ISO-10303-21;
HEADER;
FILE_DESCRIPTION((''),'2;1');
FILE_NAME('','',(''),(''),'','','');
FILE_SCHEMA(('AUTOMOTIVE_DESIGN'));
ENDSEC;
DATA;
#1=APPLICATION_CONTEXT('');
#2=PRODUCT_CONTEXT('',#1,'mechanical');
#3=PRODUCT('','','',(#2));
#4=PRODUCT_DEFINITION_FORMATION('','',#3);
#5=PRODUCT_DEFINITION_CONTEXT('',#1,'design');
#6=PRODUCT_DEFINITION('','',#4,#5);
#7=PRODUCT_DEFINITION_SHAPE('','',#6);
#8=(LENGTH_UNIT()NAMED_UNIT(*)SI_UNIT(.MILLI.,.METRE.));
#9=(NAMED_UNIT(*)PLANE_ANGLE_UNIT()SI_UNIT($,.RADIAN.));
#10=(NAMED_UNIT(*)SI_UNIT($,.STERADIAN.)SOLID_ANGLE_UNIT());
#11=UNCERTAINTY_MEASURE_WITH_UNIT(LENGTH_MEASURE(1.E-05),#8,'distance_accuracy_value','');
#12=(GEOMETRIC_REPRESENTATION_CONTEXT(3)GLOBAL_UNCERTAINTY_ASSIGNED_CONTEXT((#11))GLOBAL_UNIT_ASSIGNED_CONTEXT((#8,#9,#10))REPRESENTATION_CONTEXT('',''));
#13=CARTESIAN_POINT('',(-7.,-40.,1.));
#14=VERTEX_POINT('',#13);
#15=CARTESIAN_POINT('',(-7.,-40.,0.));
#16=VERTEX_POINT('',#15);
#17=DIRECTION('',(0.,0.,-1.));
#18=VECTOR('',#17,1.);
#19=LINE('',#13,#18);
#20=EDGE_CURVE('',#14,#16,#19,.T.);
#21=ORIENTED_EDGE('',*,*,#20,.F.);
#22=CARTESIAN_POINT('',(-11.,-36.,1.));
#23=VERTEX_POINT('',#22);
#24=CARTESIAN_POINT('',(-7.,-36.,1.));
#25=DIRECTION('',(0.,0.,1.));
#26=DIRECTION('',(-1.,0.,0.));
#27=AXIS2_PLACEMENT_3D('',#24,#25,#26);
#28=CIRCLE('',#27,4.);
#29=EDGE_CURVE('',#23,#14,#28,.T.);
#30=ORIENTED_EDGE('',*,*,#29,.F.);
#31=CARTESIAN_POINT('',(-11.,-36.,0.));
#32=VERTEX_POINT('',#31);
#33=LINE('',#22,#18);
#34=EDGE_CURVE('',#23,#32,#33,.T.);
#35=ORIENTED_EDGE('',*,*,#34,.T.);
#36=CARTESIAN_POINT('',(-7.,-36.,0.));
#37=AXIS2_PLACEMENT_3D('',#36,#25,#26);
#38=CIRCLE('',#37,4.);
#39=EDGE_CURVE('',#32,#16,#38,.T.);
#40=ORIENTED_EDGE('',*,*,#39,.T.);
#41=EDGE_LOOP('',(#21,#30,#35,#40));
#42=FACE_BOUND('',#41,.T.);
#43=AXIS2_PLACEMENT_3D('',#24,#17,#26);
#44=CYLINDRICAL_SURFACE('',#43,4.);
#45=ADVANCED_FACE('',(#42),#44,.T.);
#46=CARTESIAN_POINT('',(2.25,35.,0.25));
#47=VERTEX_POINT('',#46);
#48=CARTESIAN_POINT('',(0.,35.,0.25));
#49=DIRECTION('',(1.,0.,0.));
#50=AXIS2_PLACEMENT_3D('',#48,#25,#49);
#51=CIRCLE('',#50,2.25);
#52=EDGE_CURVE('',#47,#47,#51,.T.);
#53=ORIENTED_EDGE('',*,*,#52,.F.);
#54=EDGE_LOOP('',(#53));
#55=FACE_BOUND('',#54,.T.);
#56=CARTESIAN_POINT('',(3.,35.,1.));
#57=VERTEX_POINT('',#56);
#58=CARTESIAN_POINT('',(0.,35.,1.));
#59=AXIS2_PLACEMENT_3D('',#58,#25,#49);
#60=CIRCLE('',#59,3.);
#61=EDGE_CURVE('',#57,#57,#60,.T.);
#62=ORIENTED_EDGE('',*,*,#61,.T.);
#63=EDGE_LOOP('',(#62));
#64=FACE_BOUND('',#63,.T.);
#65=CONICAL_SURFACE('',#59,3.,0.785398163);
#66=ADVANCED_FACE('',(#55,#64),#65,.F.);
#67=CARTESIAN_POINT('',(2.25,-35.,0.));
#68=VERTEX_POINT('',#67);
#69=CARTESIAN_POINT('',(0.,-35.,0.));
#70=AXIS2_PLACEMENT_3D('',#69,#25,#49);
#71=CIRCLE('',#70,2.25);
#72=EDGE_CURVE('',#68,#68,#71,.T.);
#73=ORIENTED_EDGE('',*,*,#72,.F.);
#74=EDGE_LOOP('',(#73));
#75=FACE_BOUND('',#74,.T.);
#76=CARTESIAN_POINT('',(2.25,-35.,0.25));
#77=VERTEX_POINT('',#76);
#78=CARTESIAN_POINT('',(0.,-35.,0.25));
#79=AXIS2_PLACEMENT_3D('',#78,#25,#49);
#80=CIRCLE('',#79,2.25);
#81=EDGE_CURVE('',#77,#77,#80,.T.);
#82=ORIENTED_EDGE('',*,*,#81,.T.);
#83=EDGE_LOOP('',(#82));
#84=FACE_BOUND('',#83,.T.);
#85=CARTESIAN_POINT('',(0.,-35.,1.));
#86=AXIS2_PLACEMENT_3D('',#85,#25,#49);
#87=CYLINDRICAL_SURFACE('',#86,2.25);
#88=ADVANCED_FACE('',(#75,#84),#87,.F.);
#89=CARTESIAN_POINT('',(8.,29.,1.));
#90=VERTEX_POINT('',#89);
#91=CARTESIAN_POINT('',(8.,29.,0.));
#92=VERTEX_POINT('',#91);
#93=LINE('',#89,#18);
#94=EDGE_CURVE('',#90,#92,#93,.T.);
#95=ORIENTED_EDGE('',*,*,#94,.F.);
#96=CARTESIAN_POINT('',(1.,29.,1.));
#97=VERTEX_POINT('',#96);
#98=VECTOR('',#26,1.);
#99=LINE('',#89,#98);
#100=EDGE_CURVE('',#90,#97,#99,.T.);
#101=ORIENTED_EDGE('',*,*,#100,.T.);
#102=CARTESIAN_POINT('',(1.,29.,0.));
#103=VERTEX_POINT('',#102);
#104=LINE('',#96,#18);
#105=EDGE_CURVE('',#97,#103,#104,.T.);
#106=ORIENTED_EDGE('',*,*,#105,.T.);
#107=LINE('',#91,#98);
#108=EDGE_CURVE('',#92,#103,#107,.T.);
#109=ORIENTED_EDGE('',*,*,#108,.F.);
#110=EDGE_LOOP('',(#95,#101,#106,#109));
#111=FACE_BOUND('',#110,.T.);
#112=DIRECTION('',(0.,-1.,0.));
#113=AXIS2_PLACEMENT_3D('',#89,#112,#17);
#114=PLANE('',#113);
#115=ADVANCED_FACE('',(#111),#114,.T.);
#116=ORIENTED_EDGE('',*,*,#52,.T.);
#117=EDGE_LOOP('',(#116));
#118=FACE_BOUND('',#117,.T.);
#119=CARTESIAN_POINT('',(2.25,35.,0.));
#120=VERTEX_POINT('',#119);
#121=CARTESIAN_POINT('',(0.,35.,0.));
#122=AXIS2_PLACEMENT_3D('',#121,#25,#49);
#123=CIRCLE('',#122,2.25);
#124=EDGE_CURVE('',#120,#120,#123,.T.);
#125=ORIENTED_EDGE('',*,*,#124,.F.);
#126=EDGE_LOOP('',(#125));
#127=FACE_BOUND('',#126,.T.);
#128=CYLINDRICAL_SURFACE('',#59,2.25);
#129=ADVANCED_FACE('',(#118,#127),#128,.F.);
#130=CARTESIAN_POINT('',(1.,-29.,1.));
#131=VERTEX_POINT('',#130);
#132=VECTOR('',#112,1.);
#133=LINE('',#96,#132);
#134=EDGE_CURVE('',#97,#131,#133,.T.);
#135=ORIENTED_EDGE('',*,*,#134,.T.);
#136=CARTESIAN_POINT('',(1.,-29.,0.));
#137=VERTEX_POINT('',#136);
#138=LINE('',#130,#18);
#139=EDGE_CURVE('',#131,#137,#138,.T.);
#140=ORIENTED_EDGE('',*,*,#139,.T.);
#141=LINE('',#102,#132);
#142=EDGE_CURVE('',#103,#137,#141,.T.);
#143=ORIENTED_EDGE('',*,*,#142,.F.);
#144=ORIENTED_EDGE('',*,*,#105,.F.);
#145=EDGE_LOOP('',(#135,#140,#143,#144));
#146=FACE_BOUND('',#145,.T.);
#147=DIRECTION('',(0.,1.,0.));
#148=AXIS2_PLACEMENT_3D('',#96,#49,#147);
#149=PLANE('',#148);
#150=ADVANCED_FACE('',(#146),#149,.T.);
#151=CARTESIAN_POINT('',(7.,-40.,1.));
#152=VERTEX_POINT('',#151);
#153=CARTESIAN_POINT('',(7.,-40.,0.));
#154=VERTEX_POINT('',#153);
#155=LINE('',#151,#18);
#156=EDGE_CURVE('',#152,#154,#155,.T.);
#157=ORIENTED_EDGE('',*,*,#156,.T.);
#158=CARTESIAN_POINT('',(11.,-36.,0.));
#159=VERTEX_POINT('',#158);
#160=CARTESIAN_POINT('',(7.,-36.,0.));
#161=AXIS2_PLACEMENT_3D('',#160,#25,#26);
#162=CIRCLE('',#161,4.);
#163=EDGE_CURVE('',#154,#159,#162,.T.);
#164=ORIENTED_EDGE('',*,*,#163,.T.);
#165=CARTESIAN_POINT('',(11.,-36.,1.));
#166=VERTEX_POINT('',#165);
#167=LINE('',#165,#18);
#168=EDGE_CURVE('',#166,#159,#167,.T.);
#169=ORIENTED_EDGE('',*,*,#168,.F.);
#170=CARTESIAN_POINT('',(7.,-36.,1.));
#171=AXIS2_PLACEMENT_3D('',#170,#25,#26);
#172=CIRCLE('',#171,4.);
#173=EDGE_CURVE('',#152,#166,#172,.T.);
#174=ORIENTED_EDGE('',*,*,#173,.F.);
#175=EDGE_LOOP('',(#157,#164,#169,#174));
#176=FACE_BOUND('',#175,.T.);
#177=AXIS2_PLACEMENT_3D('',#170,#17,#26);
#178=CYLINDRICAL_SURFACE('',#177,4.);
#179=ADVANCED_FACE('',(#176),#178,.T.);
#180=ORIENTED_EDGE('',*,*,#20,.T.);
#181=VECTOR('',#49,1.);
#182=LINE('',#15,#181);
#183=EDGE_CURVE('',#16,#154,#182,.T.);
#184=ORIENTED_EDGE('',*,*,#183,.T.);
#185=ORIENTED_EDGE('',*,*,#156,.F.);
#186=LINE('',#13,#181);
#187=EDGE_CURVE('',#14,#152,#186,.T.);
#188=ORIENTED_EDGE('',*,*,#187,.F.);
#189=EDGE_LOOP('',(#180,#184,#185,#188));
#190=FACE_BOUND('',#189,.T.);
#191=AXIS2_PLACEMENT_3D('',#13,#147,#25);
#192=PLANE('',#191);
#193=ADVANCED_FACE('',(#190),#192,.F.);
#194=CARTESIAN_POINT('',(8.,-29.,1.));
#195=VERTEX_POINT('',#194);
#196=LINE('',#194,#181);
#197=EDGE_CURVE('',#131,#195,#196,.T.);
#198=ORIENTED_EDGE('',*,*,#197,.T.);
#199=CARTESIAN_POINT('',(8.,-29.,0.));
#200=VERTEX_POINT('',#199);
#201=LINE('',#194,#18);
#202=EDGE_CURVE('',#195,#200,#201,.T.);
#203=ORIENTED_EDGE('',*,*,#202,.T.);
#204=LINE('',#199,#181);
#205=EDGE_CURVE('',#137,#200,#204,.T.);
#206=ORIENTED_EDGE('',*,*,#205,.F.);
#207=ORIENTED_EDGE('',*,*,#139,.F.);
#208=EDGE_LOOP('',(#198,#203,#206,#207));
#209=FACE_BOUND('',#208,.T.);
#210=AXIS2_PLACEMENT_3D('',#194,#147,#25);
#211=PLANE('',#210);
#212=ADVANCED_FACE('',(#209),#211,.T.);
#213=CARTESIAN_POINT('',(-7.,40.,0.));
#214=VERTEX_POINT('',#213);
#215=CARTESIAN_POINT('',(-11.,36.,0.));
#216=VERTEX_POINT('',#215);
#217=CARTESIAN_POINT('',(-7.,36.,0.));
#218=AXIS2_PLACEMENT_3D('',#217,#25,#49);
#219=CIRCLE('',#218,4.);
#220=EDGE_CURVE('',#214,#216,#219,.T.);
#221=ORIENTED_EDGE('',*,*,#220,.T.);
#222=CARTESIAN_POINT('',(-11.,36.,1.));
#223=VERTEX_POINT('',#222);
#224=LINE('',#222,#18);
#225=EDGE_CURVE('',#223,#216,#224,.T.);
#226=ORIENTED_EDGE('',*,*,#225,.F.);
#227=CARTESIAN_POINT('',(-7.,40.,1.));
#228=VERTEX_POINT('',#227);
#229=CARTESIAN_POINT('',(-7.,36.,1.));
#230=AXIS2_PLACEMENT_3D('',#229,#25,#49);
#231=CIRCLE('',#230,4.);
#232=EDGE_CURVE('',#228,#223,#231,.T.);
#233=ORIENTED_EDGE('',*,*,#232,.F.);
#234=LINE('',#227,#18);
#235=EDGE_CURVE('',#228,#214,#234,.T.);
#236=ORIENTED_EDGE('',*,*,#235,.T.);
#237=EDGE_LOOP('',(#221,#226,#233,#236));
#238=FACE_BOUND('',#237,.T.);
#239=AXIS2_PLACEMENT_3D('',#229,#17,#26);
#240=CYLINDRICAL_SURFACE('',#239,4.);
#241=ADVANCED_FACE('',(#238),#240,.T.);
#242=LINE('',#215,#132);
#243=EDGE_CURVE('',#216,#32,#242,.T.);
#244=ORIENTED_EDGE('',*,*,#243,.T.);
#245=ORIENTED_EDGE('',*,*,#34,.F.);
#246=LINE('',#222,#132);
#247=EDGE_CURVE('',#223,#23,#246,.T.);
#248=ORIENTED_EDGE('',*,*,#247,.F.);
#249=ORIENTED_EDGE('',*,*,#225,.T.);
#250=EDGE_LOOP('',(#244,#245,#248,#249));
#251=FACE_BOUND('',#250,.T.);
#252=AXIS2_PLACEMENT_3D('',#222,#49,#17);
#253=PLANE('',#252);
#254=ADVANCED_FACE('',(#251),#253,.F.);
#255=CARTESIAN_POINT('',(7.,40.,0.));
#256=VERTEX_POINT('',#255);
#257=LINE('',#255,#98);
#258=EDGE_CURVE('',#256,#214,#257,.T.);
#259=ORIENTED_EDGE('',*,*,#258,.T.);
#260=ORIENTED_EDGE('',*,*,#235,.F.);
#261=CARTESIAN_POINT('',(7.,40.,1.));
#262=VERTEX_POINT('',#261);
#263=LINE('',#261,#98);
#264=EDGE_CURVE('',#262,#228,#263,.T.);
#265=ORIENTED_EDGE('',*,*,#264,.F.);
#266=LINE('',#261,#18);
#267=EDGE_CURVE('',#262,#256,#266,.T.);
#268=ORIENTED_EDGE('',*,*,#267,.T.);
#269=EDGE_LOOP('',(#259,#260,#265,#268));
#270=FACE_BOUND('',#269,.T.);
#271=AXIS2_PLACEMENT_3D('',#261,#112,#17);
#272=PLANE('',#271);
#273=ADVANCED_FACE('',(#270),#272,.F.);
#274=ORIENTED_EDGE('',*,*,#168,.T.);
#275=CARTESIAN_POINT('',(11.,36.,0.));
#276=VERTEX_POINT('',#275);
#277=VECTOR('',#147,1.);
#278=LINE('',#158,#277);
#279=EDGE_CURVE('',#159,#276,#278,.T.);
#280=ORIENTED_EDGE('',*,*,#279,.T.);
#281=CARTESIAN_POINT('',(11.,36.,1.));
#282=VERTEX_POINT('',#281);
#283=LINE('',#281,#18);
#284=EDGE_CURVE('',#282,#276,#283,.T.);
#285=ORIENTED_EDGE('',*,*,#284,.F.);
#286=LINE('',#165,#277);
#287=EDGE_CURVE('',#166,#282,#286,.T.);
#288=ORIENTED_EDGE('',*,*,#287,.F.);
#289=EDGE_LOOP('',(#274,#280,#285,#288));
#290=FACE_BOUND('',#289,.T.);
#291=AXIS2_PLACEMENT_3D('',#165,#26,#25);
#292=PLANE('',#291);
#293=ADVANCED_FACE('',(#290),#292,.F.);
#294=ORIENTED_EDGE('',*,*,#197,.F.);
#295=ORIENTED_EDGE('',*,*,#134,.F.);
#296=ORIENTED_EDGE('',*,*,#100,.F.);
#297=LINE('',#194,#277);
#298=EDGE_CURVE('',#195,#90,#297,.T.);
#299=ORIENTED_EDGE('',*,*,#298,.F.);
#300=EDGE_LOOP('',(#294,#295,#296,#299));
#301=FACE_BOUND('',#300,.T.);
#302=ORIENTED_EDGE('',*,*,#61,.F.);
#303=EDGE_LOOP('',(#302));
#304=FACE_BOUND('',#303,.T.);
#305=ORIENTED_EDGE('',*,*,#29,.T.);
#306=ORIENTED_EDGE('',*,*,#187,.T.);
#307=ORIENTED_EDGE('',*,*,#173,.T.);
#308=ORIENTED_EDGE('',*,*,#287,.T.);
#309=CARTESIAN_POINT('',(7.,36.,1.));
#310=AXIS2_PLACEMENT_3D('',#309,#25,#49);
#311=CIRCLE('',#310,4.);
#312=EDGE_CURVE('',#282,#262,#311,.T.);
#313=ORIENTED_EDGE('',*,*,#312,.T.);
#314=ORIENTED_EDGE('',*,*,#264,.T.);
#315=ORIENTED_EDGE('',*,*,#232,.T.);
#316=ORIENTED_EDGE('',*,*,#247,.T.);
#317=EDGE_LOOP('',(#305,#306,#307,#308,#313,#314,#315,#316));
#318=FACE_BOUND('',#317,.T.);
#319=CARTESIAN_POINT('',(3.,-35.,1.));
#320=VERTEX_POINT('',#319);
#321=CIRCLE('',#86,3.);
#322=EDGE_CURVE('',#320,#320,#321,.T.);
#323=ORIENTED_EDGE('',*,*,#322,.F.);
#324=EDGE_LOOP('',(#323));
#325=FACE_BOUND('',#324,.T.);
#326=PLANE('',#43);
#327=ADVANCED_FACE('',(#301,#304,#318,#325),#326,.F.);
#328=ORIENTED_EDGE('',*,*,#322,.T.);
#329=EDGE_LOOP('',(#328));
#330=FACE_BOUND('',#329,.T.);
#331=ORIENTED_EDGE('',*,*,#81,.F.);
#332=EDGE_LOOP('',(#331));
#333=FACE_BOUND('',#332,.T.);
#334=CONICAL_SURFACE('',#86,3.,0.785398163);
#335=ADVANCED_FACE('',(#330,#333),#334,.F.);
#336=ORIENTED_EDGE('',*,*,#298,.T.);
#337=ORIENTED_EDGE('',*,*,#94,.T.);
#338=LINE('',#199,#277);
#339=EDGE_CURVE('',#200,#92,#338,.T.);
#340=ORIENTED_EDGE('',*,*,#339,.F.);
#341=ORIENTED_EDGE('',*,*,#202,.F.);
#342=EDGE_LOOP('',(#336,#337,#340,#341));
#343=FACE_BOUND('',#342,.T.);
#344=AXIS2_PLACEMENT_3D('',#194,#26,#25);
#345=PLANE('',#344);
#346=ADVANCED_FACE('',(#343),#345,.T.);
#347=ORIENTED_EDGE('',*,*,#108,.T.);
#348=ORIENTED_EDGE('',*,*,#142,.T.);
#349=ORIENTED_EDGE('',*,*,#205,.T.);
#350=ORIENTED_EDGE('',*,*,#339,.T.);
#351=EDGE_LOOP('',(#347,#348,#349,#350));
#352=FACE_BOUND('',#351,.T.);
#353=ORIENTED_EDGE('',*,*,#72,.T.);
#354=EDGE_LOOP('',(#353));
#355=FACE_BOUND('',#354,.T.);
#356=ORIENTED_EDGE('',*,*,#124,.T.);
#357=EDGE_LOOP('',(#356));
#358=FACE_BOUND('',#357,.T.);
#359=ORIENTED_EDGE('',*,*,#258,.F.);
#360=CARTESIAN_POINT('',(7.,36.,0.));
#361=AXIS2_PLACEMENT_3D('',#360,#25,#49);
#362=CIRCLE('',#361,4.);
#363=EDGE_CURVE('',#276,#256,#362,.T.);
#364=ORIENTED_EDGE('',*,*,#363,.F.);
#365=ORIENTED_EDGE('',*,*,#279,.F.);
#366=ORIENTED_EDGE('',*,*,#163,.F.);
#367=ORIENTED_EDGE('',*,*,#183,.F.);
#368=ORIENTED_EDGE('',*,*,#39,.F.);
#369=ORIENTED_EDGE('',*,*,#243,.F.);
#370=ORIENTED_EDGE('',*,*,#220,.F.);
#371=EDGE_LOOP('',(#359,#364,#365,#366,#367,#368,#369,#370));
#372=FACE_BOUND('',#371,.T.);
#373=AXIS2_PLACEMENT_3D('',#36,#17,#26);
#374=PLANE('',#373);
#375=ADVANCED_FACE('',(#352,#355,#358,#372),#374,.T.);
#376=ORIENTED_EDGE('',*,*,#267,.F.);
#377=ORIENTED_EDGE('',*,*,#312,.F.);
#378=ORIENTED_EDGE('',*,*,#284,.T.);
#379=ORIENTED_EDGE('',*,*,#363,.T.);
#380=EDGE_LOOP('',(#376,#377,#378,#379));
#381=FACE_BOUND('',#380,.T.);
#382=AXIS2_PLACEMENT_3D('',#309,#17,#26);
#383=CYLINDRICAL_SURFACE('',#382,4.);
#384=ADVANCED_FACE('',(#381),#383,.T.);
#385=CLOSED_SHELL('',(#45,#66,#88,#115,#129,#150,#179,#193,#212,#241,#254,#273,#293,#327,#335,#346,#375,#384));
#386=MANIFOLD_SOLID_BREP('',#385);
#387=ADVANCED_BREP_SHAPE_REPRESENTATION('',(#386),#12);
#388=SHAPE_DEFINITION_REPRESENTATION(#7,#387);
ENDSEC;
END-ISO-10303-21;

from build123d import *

# Parameters (mm, degrees)
CROQUIS1_R                                  = 2
CROQUIS1_W                                  = 7
CROQUIS1_H                                  = 58
SALIENTE_EXTRUIR1_DEPTH                     = 1
AVELLANADO_PARA_TORNILLO_CON_CABEZA_2_COUNT = 2
AVELLANADO_PARA_TORNILLO_CON_CABEZA_2_PITCH = 70


with BuildPart() as part:
    # Croquis1 → Saliente-Extruir1 (new body)
    with BuildSketch(Plane.XY):
        with BuildLine():
            Line((-11, 36), (-11, -36))
            ThreePointArc((-11, -36), (-9.828427125, -38.828427125), (-7, -40))
            Line((-7, -40), (7, -40))
            ThreePointArc((7, -40), (9.828427125, -38.828427125), (11, -36))
            Line((11, -36), (11, 36))
            ThreePointArc((11, 36), (9.828427125, 38.828427125), (7, 40))
            Line((7, 40), (-7, 40))
            ThreePointArc((-7, 40), (-9.828427125, 38.828427125), (-11, 36))
        make_face()
        with Locations((0, 35)):
            Circle(CROQUIS1_R, mode=Mode.SUBTRACT)
        with Locations((0, -35)):
            Circle(CROQUIS1_R, mode=Mode.SUBTRACT)
        with Locations((4.5, 0)):
            Rectangle(CROQUIS1_W, CROQUIS1_H, mode=Mode.SUBTRACT)
    extrude(amount=SALIENTE_EXTRUIR1_DEPTH)

    # Croquis6 → Avellanado para tornillo con cabeza elevada avellanada de M41 (revolve, cut)
    with BuildSketch(Plane(origin=(0, 35, 1), x_dir=(0, -1, 0), z_dir=(1, 0, 0))):
        Polygon((0, 0), (0, 1), (2.25, 1), (2.25, 0.75), (3, 0), align=None)
    avellanado_para_tornillo_con_cabeza_elev = revolve(axis=Axis((0, 35, 7.35), (0, 0, -1)), mode=Mode.SUBTRACT)

    # Avellanado para tornillo con cabeza  2: Avellanado para tornillo con cabeza elevada avellanada de M41 ×2
    with Locations(*[(0, -i * AVELLANADO_PARA_TORNILLO_CON_CABEZA_2_PITCH, 0) for i in range(1, AVELLANADO_PARA_TORNILLO_CON_CABEZA_2_COUNT)]):
        add(avellanado_para_tornillo_con_cabeza_elev, mode=Mode.SUBTRACT)


solid = part.part
